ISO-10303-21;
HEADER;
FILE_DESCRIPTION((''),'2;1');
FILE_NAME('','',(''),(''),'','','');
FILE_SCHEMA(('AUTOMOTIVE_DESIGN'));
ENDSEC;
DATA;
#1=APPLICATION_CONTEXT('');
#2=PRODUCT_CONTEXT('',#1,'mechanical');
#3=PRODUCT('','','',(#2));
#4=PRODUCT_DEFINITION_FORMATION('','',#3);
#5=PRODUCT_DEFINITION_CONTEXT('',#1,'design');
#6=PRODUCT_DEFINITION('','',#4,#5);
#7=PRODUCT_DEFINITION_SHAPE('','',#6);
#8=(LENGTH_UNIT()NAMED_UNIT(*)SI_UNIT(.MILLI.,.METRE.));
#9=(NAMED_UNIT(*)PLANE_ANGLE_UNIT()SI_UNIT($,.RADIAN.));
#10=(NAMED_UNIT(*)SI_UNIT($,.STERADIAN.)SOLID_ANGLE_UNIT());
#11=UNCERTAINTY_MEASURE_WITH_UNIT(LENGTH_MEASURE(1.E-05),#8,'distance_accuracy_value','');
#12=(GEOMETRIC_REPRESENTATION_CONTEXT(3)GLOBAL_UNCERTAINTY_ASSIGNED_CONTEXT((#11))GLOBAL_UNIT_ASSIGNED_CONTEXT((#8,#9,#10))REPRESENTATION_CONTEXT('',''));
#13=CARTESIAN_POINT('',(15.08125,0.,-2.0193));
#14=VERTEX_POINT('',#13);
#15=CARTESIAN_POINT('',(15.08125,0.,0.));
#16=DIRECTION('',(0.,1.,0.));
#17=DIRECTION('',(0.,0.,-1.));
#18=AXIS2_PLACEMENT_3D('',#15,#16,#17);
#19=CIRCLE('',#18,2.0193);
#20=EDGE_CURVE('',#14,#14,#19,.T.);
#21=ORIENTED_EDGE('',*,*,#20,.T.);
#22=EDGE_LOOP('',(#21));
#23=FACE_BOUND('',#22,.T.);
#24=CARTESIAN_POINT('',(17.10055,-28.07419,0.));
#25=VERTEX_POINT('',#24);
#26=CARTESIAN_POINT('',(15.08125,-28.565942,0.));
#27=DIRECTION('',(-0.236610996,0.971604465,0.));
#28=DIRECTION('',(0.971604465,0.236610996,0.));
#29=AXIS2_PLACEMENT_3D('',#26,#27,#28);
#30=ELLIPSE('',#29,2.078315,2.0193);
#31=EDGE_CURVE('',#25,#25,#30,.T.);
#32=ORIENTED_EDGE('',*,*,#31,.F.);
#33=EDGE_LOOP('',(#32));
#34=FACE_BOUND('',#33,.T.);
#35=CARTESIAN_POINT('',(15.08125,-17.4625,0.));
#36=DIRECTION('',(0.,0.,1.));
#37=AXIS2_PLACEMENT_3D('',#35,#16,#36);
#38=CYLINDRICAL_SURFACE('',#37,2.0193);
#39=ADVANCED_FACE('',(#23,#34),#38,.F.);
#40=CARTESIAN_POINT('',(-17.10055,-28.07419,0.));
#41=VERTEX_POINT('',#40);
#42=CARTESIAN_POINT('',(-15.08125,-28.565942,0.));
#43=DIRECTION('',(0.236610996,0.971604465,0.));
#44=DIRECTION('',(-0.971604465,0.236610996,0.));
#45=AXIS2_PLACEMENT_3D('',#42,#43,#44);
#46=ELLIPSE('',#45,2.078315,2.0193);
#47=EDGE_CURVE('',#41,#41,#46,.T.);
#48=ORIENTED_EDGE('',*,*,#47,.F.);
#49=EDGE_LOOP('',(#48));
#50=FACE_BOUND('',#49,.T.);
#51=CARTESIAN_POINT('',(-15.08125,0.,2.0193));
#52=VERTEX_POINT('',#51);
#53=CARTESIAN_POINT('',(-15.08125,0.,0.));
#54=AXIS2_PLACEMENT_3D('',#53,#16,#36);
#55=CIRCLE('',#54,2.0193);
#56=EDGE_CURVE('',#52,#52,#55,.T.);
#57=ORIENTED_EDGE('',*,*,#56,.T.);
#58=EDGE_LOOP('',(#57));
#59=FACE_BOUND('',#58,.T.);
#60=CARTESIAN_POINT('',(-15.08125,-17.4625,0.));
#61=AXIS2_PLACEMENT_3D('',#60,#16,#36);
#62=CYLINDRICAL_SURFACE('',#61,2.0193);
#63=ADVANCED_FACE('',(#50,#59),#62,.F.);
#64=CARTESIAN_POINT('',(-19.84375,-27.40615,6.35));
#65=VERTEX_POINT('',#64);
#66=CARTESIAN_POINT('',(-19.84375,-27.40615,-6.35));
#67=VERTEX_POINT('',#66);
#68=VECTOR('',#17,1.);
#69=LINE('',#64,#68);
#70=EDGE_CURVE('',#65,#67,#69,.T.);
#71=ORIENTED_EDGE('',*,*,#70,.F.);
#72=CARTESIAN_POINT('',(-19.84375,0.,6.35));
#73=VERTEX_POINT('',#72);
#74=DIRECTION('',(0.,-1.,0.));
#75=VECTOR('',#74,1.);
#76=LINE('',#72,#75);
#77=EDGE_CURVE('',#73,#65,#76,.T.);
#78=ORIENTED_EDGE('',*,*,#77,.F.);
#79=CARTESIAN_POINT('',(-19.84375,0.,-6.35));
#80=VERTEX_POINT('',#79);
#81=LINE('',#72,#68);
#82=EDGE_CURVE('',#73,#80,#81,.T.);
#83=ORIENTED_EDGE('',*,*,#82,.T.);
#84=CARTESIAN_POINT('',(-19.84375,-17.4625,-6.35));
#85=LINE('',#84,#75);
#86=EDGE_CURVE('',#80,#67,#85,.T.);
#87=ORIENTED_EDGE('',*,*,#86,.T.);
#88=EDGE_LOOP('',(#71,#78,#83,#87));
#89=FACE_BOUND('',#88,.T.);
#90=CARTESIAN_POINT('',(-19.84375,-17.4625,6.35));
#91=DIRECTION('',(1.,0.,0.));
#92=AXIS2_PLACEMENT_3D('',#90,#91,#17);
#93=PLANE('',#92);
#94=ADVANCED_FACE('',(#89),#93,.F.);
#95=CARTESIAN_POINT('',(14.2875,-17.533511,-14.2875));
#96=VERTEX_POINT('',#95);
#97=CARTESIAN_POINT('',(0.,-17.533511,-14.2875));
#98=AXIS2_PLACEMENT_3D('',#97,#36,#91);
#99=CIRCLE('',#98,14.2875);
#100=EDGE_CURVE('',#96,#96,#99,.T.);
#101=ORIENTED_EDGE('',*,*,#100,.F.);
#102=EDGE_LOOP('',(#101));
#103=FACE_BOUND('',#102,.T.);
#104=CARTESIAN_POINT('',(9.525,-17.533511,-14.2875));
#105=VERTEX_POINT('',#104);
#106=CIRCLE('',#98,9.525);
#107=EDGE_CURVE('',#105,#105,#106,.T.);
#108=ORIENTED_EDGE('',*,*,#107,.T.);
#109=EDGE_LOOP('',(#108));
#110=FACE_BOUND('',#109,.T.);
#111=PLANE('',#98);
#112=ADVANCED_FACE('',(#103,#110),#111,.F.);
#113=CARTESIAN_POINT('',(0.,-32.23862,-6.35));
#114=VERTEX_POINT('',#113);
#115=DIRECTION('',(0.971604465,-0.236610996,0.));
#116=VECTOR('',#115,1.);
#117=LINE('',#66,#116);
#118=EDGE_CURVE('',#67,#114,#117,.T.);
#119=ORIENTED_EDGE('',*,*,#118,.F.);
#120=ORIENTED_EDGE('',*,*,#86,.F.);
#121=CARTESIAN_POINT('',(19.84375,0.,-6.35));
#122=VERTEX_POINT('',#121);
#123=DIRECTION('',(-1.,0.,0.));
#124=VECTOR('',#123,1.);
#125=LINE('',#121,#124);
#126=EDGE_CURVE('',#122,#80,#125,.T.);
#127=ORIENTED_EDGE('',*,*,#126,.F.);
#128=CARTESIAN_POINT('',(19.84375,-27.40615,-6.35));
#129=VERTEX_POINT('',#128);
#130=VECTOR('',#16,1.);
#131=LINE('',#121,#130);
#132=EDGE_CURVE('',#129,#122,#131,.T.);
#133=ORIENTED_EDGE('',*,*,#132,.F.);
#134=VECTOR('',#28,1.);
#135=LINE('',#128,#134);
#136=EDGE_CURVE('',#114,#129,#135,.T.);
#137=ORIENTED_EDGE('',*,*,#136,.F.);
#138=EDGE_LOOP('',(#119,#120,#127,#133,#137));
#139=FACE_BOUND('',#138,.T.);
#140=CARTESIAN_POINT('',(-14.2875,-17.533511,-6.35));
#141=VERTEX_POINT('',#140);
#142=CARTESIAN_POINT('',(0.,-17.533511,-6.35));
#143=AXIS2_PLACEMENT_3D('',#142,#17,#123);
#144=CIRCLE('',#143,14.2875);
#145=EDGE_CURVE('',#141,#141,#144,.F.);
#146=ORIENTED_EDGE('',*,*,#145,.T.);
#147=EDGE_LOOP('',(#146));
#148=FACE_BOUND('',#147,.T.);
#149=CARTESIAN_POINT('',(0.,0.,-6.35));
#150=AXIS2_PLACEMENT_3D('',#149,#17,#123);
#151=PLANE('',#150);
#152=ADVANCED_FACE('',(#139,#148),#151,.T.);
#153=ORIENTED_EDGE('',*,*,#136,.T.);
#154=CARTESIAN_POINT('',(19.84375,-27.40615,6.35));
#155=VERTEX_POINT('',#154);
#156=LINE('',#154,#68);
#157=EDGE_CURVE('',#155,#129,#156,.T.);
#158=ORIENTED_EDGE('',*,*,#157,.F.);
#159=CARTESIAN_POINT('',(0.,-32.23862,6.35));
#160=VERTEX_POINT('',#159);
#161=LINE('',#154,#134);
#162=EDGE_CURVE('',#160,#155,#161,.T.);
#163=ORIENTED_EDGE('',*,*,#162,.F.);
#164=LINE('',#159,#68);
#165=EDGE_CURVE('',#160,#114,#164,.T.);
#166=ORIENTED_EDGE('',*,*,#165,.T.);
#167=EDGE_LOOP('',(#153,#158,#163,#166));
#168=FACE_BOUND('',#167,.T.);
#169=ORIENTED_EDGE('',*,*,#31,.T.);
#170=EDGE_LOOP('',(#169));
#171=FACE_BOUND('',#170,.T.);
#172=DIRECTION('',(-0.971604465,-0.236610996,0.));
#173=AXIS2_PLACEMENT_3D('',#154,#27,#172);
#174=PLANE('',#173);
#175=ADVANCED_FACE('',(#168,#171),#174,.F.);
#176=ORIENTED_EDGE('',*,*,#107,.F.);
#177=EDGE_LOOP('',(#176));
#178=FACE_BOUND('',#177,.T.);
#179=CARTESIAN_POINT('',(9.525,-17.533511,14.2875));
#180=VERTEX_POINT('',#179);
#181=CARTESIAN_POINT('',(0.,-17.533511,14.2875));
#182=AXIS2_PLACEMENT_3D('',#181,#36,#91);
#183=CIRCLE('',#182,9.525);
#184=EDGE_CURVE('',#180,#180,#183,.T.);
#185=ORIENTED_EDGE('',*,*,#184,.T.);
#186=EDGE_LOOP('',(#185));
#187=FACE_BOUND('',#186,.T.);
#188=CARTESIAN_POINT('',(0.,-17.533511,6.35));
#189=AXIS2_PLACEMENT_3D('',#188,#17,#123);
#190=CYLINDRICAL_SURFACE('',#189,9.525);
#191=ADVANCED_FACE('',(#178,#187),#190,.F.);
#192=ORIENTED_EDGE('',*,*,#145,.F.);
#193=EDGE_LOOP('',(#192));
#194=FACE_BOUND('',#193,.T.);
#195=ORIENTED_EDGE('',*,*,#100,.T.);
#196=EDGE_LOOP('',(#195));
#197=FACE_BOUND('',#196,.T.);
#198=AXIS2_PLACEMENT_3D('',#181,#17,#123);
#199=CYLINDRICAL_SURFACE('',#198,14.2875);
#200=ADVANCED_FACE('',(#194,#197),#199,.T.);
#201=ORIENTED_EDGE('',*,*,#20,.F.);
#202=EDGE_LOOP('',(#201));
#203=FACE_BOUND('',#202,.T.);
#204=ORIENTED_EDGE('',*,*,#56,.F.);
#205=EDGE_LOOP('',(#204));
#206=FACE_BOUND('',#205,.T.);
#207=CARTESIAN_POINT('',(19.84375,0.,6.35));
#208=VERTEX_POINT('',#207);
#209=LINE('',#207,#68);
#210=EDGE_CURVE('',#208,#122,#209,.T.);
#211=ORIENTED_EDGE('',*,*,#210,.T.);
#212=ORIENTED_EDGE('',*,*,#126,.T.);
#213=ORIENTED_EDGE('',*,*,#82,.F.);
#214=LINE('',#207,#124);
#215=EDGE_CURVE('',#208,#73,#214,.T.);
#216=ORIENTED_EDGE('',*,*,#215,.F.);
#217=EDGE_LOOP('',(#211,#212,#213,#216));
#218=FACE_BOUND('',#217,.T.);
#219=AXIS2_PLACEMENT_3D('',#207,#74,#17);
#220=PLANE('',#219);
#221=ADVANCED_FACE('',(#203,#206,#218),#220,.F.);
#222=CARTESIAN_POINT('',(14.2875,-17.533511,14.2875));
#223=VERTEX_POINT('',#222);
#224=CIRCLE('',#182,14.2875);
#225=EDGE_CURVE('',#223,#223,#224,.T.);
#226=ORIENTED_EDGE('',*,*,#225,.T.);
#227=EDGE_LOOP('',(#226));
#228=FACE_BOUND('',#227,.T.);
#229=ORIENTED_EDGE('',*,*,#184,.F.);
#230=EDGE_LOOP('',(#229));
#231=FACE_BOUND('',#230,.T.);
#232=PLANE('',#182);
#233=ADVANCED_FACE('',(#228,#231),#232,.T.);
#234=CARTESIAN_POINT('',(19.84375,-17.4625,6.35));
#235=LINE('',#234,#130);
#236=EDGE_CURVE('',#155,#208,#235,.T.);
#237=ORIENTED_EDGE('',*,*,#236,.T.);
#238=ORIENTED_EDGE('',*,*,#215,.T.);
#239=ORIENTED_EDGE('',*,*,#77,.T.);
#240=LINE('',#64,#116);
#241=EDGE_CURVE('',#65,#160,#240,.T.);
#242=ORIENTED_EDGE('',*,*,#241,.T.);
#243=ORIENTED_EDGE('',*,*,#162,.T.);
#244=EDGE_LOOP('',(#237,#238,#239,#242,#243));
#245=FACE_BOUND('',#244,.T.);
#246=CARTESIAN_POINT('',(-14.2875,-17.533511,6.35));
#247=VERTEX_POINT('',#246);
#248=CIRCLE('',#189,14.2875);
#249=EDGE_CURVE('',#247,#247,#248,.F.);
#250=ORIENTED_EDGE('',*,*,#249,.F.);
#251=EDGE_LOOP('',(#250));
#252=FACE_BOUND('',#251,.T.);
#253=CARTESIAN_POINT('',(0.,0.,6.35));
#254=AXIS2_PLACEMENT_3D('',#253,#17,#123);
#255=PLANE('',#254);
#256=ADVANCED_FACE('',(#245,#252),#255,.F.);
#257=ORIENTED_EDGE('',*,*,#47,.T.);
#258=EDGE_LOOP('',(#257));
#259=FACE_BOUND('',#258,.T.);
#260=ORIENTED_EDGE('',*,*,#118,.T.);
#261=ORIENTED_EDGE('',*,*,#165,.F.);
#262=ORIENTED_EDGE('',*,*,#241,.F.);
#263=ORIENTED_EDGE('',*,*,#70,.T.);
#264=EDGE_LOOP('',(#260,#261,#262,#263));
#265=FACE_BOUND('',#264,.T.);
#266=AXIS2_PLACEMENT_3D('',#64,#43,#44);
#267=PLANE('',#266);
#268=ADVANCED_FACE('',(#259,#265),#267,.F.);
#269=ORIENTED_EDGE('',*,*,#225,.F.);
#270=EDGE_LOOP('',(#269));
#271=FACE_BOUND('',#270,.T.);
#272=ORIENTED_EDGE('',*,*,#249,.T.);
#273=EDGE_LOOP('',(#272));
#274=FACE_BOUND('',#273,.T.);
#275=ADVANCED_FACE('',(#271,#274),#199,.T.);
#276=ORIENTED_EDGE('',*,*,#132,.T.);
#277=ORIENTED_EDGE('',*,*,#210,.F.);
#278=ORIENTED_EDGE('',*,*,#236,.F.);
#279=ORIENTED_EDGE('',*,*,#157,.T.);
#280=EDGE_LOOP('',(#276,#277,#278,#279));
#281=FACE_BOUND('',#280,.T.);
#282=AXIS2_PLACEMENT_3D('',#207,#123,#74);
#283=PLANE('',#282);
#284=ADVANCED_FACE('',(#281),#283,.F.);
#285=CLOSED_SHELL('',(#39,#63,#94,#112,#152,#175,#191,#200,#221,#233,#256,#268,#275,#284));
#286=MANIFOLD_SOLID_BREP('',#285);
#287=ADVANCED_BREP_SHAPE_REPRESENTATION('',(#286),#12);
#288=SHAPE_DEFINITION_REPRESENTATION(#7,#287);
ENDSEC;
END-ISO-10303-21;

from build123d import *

# Parameters (mm, degrees)
SKETCH1_R               = 9.525
BOSS_EXTRUDE2_DEPTH     = 6.35
SKETCH2_R               = 14.2875
SKETCH2_R_2             = 9.525
BOSS_EXTRUDE3_DEPTH     = 14.2875
SKETCH6_R               = 2.0193
CUT_EXTRUDE1_DEPTH      = 17.4625
CUT_EXTRUDE2_DEPTH      = 31.047395504
CUT_EXTRUDE2_DEPTH_BACK = 31.047395504
SKETCH9_R               = 2.0193


with BuildPart() as part:
    # Sketch1 → Boss-Extrude2 (new, symmetric)
    with BuildSketch(Plane.XY):
        Polygon((19.84375, 0), (-19.84375, 0), (-19.84375, -17.4625), (-19.84375, -27.406149544), (0, -32.238619559), (19.84375, -27.406149544), (19.84375, -17.4625), align=None)
        with Locations((0, -17.533511157)):
            Circle(SKETCH1_R, mode=Mode.SUBTRACT)
    extrude(amount=BOSS_EXTRUDE2_DEPTH, both=True)

    # Sketch2 → Boss-Extrude3 (add, symmetric)
    with BuildSketch(Plane.XY):
        with Locations(Location((0, -17.533511157, 0), (0, 0, 180))):
            Circle(SKETCH2_R)
        with Locations((0, -17.533511157)):
            Circle(SKETCH2_R_2, mode=Mode.SUBTRACT)
    extrude(amount=BOSS_EXTRUDE3_DEPTH, both=True)

    # Sketch6 → Cut-Extrude1 (cut)
    with BuildSketch(Plane(origin=(0, 0, 0), x_dir=(1, 0, 0), z_dir=(0, 1, 0))):
        with Locations(Location((-15.08125, 0, 0), (0, 0, 270))):
            Circle(SKETCH6_R)
        with Locations(Location((15.08125, 0, 0), (0, 0, 90))):
            Circle(SKETCH6_R)
    extrude(amount=-CUT_EXTRUDE1_DEPTH, mode=Mode.SUBTRACT)

    # Sketch9 → Cut-Extrude2 (cut, two sides: drawn at the far end of the back side and taken through both)
    with BuildSketch(Plane(origin=(0, -17.4625, 0), x_dir=(1, 0, 0), z_dir=(0, 1, 0)).offset(-CUT_EXTRUDE2_DEPTH_BACK)):
        with Locations(Location((-15.08125, 0, 0), (0, 0, 270))):
            Circle(SKETCH9_R)
        with Locations((15.08125, 0)):
            Circle(SKETCH9_R)
    extrude(amount=CUT_EXTRUDE2_DEPTH + CUT_EXTRUDE2_DEPTH_BACK, mode=Mode.SUBTRACT)


solid = part.part
